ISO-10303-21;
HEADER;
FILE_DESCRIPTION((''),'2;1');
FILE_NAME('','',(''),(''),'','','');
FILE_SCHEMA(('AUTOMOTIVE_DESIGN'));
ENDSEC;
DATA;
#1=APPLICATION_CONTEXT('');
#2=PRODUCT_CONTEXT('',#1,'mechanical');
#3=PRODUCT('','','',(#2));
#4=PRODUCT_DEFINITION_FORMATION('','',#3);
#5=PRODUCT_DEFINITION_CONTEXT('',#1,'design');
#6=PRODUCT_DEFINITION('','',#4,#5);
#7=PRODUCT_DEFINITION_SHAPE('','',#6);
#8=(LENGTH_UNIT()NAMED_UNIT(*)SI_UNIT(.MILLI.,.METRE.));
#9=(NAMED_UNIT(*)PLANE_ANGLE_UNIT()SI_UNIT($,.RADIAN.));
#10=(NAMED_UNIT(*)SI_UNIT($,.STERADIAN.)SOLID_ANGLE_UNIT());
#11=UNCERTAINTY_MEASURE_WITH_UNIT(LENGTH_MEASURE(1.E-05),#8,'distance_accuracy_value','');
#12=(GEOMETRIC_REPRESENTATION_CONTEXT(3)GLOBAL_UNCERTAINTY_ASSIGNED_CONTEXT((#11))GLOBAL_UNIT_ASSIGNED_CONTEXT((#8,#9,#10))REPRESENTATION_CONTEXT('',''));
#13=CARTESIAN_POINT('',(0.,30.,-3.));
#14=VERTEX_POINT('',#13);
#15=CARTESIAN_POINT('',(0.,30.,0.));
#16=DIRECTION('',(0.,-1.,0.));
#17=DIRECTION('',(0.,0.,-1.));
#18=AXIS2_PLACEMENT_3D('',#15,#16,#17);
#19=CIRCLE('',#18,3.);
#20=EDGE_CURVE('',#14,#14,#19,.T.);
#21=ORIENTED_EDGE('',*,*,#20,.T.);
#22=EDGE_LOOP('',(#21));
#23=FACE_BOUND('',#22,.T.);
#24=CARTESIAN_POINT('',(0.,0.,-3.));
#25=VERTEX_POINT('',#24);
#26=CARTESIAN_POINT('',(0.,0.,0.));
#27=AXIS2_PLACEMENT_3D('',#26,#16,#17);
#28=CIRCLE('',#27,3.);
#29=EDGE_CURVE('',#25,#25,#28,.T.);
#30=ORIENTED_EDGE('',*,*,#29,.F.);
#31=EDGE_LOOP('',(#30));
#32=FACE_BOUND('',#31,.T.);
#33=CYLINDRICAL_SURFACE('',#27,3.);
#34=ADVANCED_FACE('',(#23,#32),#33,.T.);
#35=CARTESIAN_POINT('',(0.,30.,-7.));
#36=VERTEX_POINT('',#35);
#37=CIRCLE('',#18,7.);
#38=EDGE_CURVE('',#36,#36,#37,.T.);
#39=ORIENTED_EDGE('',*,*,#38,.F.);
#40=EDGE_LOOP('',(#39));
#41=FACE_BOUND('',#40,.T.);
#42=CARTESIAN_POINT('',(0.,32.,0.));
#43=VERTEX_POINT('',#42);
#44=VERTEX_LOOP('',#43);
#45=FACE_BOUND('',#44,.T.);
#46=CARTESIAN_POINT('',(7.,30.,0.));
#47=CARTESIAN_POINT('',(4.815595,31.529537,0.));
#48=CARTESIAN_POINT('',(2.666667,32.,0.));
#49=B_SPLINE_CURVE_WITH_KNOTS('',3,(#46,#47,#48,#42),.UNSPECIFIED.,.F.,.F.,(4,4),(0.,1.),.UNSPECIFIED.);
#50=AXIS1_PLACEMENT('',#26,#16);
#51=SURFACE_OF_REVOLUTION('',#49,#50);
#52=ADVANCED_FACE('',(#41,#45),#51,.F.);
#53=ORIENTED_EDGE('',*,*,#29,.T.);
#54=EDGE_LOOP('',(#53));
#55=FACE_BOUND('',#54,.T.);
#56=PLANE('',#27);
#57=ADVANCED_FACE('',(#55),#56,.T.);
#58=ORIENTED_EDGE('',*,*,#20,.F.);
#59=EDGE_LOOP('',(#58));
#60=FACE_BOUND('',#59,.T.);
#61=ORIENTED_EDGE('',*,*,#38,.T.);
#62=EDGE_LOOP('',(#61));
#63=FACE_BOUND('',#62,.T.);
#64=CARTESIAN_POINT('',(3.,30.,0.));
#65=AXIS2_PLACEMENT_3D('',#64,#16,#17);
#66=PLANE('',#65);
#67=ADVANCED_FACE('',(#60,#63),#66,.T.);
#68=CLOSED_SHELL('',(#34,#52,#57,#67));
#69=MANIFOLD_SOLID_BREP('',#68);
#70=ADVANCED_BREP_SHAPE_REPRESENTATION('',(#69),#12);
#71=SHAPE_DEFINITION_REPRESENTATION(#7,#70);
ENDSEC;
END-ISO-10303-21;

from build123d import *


with BuildPart() as part:
    # Szkic1 → Obrót1 (revolve)
    with BuildSketch(Plane.XY):
        with BuildLine():
            Line((0, 0), (0, 32))
            add(Edge.make_bspline(
                [(0, 32), (2.666666667, 32), (4.815594549, 31.529537164), (7, 30)],
                knots=[0, 0, 0, 0, 1, 1, 1, 1], degree=3))
            Line((7, 30), (3, 30))
            Line((3, 30), (3, 0))
            Line((3, 0), (0, 0))
        make_face()
    revolve(axis=Axis((0, 0, 0), (0, 1, 0)))


solid = part.part
